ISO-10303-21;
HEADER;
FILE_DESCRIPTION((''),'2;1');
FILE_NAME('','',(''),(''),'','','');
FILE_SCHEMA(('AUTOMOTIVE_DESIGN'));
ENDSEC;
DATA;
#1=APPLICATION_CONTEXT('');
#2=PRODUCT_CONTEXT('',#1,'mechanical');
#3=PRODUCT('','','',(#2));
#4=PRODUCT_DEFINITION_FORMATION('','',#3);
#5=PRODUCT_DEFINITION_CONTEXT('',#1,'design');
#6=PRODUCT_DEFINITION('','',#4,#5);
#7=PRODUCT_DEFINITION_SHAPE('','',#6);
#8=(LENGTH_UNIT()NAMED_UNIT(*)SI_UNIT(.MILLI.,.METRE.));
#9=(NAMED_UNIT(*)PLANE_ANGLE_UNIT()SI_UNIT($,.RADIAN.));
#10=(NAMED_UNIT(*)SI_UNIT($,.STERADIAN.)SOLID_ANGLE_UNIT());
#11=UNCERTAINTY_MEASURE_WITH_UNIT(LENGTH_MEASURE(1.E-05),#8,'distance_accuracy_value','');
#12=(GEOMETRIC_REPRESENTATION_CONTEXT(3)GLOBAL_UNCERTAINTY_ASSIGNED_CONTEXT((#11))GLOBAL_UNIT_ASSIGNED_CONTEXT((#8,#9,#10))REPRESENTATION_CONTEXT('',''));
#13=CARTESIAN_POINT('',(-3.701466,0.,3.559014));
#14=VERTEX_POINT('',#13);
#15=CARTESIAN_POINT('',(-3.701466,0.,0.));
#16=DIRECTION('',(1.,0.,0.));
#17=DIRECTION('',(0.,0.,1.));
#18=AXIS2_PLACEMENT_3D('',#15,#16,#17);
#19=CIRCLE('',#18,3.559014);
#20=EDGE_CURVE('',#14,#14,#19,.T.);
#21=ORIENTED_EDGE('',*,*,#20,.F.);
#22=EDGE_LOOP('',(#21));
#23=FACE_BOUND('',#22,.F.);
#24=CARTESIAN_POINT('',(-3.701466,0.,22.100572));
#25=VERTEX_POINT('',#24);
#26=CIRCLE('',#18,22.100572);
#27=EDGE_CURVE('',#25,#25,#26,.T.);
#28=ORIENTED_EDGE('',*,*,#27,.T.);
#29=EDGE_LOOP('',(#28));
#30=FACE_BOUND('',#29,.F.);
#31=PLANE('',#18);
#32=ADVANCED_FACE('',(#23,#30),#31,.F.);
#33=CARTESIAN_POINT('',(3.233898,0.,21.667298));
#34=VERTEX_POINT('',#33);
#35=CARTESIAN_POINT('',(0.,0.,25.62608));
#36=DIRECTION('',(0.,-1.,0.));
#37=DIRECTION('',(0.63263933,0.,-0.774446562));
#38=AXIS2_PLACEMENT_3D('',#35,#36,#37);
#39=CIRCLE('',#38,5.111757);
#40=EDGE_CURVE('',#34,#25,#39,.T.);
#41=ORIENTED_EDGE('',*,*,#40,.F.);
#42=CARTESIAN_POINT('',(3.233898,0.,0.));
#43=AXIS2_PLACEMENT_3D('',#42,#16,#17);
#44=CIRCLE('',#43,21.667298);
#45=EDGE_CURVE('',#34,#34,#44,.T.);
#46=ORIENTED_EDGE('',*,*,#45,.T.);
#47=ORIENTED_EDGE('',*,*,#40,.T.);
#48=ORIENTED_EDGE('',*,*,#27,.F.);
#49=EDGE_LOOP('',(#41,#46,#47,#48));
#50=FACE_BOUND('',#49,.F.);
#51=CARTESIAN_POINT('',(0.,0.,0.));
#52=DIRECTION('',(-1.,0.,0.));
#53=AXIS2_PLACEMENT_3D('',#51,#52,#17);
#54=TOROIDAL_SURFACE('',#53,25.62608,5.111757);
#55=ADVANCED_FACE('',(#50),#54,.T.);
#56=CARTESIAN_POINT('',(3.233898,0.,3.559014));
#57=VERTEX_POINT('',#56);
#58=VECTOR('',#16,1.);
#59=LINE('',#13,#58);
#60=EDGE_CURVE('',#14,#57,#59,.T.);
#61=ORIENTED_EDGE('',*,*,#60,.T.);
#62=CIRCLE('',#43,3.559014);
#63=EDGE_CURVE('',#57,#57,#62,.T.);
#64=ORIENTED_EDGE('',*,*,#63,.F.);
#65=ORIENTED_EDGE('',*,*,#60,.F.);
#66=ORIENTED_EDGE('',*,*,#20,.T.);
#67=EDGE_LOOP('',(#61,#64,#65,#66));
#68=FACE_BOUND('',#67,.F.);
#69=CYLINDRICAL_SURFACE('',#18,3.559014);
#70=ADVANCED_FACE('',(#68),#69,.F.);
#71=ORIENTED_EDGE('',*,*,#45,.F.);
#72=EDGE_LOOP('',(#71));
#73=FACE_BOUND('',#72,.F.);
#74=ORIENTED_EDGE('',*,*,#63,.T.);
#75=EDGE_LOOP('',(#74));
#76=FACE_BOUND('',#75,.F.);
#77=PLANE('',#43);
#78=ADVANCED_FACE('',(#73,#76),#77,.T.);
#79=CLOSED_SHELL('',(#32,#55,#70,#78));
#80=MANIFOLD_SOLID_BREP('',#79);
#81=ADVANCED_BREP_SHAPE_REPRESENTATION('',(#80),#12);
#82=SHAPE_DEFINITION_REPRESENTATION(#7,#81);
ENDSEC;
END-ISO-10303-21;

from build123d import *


with BuildPart() as f1:
    # F0 (on Front) → F1 (revolve)
    with BuildSketch(Plane.XZ):
        with BuildLine():
            Line((3.233898, 3.559014), (3.233898, 21.667298))
            ThreePointArc((3.233898, 21.667298), (0.318727, 30.727891), (-3.701466, 22.100572))
            Line((-3.701466, 22.100572), (-3.701466, 3.559014))
            Line((-3.701466, 3.559014), (3.233898, 3.559014))
        make_face()
    revolve(axis=Axis((1.027191, 0, 0), (1, 0, 0)))


solid = f1.part
